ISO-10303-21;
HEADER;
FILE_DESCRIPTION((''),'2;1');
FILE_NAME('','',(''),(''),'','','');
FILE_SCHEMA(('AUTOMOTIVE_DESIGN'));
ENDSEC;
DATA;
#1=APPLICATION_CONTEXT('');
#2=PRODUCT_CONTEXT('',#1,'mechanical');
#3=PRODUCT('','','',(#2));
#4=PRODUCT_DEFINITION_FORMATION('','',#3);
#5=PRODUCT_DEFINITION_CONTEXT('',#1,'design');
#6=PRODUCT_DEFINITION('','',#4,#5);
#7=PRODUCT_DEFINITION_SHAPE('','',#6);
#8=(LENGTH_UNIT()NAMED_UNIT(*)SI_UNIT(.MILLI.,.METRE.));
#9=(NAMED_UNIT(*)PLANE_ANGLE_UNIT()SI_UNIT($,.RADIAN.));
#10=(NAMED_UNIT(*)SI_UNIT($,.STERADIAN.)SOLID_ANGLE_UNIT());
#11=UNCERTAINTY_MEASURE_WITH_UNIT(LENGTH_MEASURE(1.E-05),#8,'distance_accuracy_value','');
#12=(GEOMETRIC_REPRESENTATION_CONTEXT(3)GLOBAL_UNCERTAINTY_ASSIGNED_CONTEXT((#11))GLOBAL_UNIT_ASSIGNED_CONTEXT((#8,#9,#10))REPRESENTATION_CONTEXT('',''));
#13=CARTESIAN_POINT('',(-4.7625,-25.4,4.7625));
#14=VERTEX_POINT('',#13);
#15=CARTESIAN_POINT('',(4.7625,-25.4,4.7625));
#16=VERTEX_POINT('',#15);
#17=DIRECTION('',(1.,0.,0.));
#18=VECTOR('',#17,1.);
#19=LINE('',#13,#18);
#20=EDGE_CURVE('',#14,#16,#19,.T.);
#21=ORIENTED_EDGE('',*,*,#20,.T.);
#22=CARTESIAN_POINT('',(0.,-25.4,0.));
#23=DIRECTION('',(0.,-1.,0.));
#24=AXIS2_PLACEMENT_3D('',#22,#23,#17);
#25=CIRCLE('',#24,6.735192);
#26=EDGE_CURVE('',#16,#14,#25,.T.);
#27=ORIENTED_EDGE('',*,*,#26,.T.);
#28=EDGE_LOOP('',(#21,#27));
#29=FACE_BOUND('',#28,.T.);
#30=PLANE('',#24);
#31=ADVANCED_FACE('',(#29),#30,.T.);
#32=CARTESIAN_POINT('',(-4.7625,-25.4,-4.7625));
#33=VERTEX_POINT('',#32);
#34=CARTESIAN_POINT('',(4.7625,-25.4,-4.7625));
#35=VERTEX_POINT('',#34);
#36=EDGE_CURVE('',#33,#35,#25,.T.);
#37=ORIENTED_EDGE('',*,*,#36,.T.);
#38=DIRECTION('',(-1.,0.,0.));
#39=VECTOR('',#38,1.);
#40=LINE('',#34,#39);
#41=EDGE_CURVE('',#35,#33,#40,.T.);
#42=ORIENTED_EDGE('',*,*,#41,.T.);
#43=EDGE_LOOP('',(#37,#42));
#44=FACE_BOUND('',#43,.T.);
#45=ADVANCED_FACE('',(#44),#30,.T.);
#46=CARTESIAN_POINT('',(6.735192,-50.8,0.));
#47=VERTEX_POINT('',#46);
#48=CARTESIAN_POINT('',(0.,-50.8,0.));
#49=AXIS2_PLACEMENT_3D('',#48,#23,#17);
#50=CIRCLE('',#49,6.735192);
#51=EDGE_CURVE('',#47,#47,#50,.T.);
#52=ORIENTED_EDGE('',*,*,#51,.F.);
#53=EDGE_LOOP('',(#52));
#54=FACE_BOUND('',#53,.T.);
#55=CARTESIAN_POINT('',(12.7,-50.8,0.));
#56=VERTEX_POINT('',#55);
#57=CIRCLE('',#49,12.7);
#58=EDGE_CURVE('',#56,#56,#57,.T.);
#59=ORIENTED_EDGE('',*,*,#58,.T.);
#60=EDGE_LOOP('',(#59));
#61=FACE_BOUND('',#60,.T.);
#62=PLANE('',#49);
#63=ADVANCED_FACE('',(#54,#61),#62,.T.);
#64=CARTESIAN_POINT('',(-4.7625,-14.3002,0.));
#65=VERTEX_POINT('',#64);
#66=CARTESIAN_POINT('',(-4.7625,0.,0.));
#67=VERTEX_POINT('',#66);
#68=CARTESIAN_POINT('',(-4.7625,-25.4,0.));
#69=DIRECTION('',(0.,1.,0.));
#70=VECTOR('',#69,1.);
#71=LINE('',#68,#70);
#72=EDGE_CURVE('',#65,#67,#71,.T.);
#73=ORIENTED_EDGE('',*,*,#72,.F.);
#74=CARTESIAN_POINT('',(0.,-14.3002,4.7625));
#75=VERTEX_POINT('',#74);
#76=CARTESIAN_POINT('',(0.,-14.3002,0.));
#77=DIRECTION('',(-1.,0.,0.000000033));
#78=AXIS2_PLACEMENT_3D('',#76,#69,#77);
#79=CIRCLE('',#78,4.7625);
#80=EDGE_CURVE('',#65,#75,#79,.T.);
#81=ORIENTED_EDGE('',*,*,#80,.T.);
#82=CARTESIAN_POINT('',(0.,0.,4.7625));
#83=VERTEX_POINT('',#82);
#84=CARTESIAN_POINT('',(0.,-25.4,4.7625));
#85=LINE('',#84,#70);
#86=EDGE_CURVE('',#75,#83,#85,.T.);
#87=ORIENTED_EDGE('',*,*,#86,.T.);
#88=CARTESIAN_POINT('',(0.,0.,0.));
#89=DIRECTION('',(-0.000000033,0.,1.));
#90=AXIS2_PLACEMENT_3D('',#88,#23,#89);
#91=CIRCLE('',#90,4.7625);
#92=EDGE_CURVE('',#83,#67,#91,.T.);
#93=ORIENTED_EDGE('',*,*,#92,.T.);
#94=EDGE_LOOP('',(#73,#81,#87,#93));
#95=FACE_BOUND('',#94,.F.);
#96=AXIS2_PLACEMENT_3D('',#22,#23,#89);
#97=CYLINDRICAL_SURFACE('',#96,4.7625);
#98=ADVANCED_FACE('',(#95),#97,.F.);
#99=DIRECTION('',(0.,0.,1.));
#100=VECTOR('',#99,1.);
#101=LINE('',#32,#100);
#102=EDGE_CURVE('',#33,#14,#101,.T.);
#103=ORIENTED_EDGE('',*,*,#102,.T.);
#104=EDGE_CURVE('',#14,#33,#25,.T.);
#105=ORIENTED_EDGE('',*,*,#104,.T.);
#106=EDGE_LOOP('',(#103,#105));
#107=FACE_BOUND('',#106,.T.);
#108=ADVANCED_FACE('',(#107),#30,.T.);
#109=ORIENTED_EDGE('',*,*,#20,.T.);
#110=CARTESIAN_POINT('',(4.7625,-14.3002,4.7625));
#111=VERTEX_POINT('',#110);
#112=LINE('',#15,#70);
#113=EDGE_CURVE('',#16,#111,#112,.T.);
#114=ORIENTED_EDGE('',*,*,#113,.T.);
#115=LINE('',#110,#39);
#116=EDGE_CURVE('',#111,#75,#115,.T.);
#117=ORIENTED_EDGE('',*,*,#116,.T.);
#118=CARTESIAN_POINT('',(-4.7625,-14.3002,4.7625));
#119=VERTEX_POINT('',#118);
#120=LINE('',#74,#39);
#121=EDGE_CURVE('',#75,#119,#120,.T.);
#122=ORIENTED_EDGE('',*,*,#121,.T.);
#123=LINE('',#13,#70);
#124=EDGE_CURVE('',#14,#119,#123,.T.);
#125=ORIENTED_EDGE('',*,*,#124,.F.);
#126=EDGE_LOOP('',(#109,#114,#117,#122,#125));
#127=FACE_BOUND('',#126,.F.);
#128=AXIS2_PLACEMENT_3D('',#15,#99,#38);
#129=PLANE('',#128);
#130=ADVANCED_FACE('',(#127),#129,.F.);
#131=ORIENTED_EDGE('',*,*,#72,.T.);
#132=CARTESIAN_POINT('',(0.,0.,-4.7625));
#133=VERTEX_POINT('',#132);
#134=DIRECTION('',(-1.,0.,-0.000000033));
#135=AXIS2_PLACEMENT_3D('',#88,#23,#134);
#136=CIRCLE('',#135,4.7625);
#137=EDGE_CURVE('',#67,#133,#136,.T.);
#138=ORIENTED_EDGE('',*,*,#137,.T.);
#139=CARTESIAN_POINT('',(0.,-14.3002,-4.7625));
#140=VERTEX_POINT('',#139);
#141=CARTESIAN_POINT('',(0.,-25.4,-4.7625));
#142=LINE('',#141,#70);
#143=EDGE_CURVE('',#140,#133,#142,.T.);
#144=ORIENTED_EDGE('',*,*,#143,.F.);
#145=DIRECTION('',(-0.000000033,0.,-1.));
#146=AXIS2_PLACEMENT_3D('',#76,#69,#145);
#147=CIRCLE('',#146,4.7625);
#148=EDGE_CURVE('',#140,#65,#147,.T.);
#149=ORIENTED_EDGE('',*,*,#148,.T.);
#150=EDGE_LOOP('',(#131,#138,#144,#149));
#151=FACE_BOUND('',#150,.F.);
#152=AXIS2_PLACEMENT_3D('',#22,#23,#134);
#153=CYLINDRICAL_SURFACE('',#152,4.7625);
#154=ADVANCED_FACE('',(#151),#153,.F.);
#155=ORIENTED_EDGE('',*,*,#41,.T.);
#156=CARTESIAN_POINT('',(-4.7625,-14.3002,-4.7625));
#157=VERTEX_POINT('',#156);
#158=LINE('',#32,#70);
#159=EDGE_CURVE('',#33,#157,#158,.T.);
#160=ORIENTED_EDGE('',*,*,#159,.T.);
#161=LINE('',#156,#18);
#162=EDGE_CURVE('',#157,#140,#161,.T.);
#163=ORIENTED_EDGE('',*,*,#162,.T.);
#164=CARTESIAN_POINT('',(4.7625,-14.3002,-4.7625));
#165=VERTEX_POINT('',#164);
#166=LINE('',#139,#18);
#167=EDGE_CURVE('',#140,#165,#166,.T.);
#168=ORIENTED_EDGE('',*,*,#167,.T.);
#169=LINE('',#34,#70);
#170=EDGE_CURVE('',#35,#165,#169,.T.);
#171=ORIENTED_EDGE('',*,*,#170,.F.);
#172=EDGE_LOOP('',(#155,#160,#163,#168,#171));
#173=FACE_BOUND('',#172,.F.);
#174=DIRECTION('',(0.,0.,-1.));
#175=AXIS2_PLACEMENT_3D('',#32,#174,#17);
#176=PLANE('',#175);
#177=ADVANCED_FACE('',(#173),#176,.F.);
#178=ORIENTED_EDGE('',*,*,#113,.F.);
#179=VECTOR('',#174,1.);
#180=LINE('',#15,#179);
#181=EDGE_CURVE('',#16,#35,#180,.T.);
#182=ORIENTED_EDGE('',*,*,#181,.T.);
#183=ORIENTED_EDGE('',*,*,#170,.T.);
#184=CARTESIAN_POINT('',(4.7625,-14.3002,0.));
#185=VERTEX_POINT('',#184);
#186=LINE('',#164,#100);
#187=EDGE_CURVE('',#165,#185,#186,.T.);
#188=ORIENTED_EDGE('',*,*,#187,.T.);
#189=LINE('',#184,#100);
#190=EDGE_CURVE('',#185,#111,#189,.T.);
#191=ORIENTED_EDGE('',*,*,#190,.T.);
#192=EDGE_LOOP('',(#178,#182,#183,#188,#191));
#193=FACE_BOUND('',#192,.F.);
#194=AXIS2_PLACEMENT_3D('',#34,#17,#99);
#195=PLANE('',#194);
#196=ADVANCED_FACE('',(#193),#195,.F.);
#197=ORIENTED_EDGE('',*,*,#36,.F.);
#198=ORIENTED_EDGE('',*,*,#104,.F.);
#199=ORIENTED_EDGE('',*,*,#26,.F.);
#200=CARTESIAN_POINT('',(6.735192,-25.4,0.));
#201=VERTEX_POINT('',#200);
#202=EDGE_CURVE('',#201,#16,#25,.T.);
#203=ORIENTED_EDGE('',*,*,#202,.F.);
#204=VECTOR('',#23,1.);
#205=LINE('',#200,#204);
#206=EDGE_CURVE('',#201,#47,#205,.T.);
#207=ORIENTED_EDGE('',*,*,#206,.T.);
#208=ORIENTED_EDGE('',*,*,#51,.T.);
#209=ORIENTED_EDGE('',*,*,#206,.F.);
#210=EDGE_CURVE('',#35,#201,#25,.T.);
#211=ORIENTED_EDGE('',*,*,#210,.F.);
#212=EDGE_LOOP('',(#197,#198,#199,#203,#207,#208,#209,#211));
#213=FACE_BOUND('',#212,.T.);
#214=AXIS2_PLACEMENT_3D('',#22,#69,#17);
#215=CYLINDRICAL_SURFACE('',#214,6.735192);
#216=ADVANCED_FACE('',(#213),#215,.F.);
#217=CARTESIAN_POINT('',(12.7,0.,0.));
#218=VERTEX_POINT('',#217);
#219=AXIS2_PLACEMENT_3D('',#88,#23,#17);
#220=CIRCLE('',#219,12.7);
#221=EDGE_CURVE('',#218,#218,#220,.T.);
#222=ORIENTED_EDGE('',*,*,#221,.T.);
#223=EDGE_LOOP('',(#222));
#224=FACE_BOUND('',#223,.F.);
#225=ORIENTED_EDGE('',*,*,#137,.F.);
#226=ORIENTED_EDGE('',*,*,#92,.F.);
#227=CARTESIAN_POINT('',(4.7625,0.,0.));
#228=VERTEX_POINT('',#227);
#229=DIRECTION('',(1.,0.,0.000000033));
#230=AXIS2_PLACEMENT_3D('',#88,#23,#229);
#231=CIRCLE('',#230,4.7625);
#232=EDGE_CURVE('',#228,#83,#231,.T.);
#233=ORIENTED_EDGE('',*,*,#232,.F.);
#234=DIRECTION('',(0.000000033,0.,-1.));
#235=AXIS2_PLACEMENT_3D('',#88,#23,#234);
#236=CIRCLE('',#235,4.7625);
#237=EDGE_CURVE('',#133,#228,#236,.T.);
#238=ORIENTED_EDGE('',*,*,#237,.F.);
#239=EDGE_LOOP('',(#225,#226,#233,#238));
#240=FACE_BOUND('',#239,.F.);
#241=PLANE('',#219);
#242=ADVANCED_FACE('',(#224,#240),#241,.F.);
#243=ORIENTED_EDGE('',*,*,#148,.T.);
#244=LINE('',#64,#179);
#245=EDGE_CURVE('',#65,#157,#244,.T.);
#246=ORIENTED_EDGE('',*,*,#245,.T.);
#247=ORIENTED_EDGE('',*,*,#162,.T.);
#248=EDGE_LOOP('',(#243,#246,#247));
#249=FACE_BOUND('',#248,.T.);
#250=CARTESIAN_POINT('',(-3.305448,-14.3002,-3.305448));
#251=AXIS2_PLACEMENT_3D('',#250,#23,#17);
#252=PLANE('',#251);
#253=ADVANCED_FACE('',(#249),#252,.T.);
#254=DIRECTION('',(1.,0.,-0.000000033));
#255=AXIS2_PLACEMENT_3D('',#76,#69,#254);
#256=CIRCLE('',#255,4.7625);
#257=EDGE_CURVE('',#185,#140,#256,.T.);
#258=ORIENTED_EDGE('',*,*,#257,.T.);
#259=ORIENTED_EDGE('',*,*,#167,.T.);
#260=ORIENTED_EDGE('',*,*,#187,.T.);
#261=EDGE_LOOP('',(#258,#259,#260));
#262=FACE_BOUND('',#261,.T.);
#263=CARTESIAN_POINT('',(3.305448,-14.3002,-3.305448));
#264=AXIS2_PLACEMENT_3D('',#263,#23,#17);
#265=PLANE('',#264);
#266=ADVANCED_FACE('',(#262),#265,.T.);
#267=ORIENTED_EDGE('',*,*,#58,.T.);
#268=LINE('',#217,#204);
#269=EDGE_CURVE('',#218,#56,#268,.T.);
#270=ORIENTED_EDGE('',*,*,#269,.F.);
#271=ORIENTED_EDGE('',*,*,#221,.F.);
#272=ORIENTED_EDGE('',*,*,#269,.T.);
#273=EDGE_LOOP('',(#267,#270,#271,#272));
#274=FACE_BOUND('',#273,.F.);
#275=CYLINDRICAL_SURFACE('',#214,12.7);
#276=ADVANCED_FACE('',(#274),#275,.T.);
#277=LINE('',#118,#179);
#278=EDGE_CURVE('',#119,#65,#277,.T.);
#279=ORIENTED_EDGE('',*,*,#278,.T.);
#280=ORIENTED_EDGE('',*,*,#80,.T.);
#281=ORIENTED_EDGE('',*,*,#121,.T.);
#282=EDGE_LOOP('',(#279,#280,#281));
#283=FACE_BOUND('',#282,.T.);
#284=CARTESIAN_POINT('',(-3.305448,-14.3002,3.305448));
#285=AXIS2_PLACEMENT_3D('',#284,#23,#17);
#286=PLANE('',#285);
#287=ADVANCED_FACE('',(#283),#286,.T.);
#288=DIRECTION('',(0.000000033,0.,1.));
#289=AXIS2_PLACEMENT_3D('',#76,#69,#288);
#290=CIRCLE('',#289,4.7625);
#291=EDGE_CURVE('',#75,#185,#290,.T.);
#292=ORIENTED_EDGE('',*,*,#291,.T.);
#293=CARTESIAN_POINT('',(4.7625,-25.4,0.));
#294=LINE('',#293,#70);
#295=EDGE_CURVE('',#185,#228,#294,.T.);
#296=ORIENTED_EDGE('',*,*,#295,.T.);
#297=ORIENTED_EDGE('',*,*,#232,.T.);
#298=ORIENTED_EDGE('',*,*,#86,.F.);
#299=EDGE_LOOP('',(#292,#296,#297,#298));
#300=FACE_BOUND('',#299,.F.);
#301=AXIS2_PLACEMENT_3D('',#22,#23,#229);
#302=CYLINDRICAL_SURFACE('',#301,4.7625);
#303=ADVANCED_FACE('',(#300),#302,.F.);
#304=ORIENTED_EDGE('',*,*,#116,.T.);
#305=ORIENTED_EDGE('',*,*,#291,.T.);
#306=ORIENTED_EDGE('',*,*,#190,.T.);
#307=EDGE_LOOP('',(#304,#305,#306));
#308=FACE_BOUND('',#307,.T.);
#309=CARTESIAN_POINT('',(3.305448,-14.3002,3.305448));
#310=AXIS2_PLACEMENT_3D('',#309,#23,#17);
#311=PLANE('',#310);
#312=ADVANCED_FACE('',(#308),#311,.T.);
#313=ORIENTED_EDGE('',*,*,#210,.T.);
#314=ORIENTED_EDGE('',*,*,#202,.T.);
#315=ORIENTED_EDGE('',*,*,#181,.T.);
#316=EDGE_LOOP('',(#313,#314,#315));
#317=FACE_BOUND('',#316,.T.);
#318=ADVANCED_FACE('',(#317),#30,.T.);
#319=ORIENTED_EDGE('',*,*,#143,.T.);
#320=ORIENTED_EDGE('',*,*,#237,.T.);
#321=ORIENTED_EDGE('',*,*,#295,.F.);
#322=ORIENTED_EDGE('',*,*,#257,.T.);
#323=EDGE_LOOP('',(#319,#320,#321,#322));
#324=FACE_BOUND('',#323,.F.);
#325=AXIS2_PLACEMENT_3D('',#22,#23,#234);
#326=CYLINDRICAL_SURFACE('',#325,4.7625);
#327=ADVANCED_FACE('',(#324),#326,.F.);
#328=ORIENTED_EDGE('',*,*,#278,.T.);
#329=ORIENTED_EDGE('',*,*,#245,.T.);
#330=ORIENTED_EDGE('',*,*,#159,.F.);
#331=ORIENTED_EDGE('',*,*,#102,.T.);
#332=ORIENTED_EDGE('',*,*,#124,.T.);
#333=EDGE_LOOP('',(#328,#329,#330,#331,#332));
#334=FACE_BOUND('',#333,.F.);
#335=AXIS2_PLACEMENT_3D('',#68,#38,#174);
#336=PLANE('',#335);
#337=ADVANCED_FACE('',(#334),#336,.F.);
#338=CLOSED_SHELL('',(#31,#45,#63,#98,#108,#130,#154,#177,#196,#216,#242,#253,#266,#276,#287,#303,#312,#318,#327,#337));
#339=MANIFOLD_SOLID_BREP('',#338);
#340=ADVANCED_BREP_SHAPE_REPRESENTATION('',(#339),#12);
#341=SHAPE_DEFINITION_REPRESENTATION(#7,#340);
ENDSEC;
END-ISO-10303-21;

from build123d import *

# Parameters (mm, degrees)
F0_R     = 12.7
F1_DEPTH = 25.4
F3_DEPTH = 25.401
F4_DEPTH = 11.0998
F5_R     = 12.7
F5_R_2   = 6.735192
F6_DEPTH = 25.4


with BuildPart() as f1:
    # F0 (on Front) → F1 (new body)
    with BuildSketch(Plane.XZ):
        Circle(F0_R)
    extrude(amount=F1_DEPTH)

    # F2 (on face) → F3 (cut, through all)
    with BuildSketch(Plane.XZ.offset(25.4)):
        with BuildLine():
            ThreePointArc((-4.7625, 0), (-3.367596, -3.367596), (0, -4.7625))
            ThreePointArc((0, -4.7625), (3.367596, -3.367596), (4.7625, 0))
            ThreePointArc((4.7625, 0), (3.367596, 3.367596), (0, 4.7625))
            ThreePointArc((0, 4.7625), (-3.367596, 3.367596), (-4.7625, 0))
        make_face()
    extrude(amount=-F3_DEPTH, mode=Mode.SUBTRACT)

    # F2 (on face) → F4 (cut)
    with BuildSketch(Plane.XZ.offset(25.4)):
        with BuildLine():
            Line((-4.7625, 4.7625), (-4.7625, 0))
            ThreePointArc((-4.7625, 0), (-3.367596, 3.367596), (0, 4.7625))
            Line((0, 4.7625), (-4.7625, 4.7625))
        make_face()
        with BuildLine():
            ThreePointArc((0, 4.7625), (3.367596, 3.367596), (4.7625, 0))
            Line((4.7625, 0), (4.7625, 4.7625))
            Line((4.7625, 4.7625), (0, 4.7625))
        make_face()
        with BuildLine():
            Line((0, -4.7625), (4.7625, -4.7625))
            Line((4.7625, -4.7625), (4.7625, 0))
            ThreePointArc((4.7625, 0), (3.367596, -3.367596), (0, -4.7625))
        make_face()
        with BuildLine():
            Line((-4.7625, -4.7625), (0, -4.7625))
            ThreePointArc((0, -4.7625), (-3.367596, -3.367596), (-4.7625, 0))
            Line((-4.7625, 0), (-4.7625, -4.7625))
        make_face()
    extrude(amount=-F4_DEPTH, mode=Mode.SUBTRACT)

    # F5 (on face) → F6 (join)
    with BuildSketch(Plane.XZ.offset(25.4)):
        Circle(F5_R)
        Circle(F5_R_2, mode=Mode.SUBTRACT)
    extrude(amount=F6_DEPTH)


solid = f1.part
